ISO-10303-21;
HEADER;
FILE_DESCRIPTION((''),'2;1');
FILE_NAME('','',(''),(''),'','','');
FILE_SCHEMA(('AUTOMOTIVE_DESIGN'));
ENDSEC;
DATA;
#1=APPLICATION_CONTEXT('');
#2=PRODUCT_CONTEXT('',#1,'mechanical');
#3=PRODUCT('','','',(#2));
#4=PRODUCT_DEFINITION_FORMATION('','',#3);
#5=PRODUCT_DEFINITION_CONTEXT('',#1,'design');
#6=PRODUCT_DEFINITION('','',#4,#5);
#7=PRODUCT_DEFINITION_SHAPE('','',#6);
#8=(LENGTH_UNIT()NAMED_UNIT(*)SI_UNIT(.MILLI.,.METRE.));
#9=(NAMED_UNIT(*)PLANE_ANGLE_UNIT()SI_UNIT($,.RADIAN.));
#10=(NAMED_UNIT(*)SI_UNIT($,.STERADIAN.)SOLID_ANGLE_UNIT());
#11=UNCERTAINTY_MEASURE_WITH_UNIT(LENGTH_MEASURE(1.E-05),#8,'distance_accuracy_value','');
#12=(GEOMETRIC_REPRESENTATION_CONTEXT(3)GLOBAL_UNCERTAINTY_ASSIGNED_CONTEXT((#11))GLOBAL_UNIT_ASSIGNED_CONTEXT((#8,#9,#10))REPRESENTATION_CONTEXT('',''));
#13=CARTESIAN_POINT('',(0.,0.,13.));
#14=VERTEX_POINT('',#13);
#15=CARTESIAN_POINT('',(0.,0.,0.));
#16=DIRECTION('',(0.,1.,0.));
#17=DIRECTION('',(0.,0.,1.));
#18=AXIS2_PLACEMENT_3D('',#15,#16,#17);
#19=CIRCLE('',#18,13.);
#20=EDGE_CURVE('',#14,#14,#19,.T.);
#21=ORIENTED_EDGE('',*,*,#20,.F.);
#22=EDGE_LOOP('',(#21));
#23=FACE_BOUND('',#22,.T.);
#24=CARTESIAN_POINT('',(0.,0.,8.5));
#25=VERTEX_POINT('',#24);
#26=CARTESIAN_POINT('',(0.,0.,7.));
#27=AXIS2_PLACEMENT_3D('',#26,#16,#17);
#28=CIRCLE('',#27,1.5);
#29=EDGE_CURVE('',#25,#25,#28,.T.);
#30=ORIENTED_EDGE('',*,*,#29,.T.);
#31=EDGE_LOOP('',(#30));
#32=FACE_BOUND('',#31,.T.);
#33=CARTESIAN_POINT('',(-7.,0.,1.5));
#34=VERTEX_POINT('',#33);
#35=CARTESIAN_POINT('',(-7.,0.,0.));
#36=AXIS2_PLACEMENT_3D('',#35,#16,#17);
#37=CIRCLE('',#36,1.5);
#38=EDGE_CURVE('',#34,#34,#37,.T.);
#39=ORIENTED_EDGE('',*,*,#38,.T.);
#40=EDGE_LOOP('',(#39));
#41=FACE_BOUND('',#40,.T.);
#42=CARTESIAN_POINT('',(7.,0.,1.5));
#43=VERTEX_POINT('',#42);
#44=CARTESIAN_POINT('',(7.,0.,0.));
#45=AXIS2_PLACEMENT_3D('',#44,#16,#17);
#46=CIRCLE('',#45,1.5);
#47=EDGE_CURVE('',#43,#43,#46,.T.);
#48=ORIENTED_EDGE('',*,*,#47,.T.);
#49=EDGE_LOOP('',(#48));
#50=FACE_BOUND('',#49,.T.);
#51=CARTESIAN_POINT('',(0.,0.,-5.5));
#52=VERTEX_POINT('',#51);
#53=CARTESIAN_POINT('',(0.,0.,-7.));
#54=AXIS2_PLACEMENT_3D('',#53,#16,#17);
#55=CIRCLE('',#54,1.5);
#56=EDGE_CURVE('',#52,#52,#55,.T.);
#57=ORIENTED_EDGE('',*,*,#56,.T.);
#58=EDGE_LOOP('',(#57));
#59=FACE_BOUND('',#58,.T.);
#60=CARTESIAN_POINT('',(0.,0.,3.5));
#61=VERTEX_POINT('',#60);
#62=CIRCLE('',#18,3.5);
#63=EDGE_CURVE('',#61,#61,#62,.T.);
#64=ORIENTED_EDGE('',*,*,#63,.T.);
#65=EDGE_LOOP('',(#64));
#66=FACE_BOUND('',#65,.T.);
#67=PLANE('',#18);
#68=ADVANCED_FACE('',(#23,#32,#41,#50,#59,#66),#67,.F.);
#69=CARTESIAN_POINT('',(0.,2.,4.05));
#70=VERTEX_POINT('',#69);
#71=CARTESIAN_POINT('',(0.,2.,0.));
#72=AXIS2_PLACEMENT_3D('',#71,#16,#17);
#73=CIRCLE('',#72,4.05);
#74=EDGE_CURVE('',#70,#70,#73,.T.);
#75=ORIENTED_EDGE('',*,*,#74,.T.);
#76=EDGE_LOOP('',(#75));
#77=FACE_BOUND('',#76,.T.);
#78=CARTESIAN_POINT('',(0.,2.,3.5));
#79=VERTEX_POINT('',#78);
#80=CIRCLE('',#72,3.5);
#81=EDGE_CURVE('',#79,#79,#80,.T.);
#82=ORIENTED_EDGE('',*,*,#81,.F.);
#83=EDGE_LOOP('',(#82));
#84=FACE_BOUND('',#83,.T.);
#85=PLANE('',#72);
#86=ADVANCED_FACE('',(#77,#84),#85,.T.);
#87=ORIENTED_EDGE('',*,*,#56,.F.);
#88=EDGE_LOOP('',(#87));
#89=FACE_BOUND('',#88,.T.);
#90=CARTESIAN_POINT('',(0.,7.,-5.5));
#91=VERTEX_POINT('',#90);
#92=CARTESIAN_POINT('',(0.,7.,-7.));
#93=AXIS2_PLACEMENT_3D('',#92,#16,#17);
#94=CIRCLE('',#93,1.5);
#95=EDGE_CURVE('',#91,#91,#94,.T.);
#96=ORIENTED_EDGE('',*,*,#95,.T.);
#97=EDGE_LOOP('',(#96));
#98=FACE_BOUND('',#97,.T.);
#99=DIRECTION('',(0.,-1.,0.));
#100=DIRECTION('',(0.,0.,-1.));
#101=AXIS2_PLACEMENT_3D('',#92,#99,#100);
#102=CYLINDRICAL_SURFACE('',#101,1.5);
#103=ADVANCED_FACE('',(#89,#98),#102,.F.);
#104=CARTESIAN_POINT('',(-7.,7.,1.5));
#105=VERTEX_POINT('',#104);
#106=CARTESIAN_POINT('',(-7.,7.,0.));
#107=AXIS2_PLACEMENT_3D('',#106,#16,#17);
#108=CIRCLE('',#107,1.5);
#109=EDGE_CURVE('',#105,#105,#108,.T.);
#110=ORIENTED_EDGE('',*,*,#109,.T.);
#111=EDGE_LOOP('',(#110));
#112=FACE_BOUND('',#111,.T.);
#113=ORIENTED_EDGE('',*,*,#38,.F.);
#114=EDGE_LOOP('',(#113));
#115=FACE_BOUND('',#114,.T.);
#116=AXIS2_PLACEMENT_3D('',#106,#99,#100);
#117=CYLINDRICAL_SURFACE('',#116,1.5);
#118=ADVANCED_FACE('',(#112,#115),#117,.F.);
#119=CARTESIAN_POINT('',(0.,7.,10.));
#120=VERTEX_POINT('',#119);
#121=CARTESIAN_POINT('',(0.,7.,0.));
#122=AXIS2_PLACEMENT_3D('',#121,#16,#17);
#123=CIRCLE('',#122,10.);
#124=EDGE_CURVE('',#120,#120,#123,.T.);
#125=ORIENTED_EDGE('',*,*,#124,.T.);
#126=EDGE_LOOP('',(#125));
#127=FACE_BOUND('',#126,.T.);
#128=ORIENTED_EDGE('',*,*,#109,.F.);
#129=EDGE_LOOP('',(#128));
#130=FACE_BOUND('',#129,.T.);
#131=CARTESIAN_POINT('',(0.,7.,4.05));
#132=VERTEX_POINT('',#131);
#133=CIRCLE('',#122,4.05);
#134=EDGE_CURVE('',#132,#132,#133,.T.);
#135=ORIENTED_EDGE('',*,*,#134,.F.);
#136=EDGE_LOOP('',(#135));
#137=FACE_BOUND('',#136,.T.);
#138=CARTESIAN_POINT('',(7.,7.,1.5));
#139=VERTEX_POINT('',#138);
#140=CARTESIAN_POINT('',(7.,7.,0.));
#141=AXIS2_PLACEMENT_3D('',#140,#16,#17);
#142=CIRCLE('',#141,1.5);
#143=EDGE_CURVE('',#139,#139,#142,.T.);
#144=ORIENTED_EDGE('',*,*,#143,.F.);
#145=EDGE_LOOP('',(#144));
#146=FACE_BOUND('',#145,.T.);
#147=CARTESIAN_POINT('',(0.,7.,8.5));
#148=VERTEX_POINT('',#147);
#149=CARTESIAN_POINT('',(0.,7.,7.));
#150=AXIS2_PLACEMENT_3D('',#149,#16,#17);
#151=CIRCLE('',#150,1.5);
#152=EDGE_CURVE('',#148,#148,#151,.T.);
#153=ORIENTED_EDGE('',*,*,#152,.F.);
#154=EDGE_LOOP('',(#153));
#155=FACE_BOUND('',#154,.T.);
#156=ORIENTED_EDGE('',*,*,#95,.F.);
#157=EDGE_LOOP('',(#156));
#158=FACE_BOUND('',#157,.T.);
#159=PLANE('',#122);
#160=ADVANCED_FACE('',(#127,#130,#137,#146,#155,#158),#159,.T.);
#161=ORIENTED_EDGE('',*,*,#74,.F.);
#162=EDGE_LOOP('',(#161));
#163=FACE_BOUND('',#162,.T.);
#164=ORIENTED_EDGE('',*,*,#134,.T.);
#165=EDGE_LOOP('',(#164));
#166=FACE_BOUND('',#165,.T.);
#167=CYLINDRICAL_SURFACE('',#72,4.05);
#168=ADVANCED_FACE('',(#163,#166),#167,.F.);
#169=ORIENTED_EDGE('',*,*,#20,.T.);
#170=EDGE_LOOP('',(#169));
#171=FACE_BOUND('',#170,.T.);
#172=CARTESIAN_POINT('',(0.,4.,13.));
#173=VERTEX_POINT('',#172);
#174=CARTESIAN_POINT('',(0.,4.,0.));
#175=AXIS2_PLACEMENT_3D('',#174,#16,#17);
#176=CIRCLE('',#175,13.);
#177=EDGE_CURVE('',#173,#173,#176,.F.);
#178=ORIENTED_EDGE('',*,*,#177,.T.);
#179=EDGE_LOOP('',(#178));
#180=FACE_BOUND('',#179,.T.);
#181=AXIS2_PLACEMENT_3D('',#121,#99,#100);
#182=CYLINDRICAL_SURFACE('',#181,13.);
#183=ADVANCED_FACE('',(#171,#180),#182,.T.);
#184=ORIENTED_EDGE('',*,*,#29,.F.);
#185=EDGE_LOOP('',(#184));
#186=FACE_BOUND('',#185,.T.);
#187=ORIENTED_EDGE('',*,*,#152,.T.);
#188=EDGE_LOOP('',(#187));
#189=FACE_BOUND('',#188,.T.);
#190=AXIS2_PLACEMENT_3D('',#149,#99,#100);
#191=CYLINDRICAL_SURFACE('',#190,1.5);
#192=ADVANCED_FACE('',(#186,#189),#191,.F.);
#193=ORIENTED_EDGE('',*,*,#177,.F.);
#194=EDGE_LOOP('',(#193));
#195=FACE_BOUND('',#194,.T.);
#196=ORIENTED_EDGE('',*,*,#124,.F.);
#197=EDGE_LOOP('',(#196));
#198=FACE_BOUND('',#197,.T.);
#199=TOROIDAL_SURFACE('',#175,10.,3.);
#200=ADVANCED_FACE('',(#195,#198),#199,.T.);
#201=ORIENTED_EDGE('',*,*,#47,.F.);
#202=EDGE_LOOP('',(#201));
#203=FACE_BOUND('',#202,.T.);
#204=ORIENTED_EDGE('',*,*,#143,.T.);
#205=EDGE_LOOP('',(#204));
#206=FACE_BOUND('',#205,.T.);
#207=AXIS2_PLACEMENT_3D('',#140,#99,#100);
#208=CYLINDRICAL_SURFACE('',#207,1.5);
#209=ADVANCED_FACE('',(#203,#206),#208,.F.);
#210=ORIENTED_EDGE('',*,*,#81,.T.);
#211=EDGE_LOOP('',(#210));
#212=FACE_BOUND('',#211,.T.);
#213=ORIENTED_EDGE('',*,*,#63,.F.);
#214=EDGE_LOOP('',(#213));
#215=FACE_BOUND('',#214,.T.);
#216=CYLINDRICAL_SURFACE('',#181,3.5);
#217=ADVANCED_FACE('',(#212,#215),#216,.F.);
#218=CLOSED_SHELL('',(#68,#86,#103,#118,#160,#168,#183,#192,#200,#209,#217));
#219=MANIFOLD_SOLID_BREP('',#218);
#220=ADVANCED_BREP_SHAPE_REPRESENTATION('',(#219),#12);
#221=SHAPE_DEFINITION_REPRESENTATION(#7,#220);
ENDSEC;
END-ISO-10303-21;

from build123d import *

# Parameters (mm, degrees)
SKETCH1_R           = 13
SKETCH1_R_2         = 3.5
SKETCH1_R_3         = 1.5
BOSS_EXTRUDE1_DEPTH = 7
SKETCH2_R           = 4.05
CUT_EXTRUDE1_DEPTH  = 5
FILLET1_R           = 3


with BuildPart() as part:
    # Sketch1 → Boss-Extrude1 (new body)
    with BuildSketch(Plane(origin=(0, 0, 0), x_dir=(1, 0, 0), z_dir=(0, 1, 0))):
        with Locations(Location((0, 0, 0), (0, 0, 270))):
            Circle(SKETCH1_R)
        with Locations(Location((0, 0, 0), (0, 0, 270))):
            Circle(SKETCH1_R_2, mode=Mode.SUBTRACT)
        with Locations(Location((0, 7, 0), (0, 0, 270))):
            Circle(SKETCH1_R_3, mode=Mode.SUBTRACT)
        with Locations(Location((7, 0, 0), (0, 0, 270))):
            Circle(SKETCH1_R_3, mode=Mode.SUBTRACT)
        with Locations(Location((0, -7, 0), (0, 0, 270))):
            Circle(SKETCH1_R_3, mode=Mode.SUBTRACT)
        with Locations(Location((-7, 0, 0), (0, 0, 270))):
            Circle(SKETCH1_R_3, mode=Mode.SUBTRACT)
    extrude(amount=BOSS_EXTRUDE1_DEPTH)

    # Sketch2 → Cut-Extrude1 (cut)
    with BuildSketch(Plane(origin=(0, 7, 0), x_dir=(1, 0, 0), z_dir=(0, 1, 0))):
        with Locations(Location((0, 0, 0), (0, 0, 270))):
            Circle(SKETCH2_R)
    extrude(amount=-CUT_EXTRUDE1_DEPTH, mode=Mode.SUBTRACT)

    # Fillet1
    fillet1_edges = [part.edges().sort_by_distance(p)[0] for p in [
        (0, 7, -13),
    ]]
    fillet(fillet1_edges, radius=FILLET1_R)


solid = part.part
